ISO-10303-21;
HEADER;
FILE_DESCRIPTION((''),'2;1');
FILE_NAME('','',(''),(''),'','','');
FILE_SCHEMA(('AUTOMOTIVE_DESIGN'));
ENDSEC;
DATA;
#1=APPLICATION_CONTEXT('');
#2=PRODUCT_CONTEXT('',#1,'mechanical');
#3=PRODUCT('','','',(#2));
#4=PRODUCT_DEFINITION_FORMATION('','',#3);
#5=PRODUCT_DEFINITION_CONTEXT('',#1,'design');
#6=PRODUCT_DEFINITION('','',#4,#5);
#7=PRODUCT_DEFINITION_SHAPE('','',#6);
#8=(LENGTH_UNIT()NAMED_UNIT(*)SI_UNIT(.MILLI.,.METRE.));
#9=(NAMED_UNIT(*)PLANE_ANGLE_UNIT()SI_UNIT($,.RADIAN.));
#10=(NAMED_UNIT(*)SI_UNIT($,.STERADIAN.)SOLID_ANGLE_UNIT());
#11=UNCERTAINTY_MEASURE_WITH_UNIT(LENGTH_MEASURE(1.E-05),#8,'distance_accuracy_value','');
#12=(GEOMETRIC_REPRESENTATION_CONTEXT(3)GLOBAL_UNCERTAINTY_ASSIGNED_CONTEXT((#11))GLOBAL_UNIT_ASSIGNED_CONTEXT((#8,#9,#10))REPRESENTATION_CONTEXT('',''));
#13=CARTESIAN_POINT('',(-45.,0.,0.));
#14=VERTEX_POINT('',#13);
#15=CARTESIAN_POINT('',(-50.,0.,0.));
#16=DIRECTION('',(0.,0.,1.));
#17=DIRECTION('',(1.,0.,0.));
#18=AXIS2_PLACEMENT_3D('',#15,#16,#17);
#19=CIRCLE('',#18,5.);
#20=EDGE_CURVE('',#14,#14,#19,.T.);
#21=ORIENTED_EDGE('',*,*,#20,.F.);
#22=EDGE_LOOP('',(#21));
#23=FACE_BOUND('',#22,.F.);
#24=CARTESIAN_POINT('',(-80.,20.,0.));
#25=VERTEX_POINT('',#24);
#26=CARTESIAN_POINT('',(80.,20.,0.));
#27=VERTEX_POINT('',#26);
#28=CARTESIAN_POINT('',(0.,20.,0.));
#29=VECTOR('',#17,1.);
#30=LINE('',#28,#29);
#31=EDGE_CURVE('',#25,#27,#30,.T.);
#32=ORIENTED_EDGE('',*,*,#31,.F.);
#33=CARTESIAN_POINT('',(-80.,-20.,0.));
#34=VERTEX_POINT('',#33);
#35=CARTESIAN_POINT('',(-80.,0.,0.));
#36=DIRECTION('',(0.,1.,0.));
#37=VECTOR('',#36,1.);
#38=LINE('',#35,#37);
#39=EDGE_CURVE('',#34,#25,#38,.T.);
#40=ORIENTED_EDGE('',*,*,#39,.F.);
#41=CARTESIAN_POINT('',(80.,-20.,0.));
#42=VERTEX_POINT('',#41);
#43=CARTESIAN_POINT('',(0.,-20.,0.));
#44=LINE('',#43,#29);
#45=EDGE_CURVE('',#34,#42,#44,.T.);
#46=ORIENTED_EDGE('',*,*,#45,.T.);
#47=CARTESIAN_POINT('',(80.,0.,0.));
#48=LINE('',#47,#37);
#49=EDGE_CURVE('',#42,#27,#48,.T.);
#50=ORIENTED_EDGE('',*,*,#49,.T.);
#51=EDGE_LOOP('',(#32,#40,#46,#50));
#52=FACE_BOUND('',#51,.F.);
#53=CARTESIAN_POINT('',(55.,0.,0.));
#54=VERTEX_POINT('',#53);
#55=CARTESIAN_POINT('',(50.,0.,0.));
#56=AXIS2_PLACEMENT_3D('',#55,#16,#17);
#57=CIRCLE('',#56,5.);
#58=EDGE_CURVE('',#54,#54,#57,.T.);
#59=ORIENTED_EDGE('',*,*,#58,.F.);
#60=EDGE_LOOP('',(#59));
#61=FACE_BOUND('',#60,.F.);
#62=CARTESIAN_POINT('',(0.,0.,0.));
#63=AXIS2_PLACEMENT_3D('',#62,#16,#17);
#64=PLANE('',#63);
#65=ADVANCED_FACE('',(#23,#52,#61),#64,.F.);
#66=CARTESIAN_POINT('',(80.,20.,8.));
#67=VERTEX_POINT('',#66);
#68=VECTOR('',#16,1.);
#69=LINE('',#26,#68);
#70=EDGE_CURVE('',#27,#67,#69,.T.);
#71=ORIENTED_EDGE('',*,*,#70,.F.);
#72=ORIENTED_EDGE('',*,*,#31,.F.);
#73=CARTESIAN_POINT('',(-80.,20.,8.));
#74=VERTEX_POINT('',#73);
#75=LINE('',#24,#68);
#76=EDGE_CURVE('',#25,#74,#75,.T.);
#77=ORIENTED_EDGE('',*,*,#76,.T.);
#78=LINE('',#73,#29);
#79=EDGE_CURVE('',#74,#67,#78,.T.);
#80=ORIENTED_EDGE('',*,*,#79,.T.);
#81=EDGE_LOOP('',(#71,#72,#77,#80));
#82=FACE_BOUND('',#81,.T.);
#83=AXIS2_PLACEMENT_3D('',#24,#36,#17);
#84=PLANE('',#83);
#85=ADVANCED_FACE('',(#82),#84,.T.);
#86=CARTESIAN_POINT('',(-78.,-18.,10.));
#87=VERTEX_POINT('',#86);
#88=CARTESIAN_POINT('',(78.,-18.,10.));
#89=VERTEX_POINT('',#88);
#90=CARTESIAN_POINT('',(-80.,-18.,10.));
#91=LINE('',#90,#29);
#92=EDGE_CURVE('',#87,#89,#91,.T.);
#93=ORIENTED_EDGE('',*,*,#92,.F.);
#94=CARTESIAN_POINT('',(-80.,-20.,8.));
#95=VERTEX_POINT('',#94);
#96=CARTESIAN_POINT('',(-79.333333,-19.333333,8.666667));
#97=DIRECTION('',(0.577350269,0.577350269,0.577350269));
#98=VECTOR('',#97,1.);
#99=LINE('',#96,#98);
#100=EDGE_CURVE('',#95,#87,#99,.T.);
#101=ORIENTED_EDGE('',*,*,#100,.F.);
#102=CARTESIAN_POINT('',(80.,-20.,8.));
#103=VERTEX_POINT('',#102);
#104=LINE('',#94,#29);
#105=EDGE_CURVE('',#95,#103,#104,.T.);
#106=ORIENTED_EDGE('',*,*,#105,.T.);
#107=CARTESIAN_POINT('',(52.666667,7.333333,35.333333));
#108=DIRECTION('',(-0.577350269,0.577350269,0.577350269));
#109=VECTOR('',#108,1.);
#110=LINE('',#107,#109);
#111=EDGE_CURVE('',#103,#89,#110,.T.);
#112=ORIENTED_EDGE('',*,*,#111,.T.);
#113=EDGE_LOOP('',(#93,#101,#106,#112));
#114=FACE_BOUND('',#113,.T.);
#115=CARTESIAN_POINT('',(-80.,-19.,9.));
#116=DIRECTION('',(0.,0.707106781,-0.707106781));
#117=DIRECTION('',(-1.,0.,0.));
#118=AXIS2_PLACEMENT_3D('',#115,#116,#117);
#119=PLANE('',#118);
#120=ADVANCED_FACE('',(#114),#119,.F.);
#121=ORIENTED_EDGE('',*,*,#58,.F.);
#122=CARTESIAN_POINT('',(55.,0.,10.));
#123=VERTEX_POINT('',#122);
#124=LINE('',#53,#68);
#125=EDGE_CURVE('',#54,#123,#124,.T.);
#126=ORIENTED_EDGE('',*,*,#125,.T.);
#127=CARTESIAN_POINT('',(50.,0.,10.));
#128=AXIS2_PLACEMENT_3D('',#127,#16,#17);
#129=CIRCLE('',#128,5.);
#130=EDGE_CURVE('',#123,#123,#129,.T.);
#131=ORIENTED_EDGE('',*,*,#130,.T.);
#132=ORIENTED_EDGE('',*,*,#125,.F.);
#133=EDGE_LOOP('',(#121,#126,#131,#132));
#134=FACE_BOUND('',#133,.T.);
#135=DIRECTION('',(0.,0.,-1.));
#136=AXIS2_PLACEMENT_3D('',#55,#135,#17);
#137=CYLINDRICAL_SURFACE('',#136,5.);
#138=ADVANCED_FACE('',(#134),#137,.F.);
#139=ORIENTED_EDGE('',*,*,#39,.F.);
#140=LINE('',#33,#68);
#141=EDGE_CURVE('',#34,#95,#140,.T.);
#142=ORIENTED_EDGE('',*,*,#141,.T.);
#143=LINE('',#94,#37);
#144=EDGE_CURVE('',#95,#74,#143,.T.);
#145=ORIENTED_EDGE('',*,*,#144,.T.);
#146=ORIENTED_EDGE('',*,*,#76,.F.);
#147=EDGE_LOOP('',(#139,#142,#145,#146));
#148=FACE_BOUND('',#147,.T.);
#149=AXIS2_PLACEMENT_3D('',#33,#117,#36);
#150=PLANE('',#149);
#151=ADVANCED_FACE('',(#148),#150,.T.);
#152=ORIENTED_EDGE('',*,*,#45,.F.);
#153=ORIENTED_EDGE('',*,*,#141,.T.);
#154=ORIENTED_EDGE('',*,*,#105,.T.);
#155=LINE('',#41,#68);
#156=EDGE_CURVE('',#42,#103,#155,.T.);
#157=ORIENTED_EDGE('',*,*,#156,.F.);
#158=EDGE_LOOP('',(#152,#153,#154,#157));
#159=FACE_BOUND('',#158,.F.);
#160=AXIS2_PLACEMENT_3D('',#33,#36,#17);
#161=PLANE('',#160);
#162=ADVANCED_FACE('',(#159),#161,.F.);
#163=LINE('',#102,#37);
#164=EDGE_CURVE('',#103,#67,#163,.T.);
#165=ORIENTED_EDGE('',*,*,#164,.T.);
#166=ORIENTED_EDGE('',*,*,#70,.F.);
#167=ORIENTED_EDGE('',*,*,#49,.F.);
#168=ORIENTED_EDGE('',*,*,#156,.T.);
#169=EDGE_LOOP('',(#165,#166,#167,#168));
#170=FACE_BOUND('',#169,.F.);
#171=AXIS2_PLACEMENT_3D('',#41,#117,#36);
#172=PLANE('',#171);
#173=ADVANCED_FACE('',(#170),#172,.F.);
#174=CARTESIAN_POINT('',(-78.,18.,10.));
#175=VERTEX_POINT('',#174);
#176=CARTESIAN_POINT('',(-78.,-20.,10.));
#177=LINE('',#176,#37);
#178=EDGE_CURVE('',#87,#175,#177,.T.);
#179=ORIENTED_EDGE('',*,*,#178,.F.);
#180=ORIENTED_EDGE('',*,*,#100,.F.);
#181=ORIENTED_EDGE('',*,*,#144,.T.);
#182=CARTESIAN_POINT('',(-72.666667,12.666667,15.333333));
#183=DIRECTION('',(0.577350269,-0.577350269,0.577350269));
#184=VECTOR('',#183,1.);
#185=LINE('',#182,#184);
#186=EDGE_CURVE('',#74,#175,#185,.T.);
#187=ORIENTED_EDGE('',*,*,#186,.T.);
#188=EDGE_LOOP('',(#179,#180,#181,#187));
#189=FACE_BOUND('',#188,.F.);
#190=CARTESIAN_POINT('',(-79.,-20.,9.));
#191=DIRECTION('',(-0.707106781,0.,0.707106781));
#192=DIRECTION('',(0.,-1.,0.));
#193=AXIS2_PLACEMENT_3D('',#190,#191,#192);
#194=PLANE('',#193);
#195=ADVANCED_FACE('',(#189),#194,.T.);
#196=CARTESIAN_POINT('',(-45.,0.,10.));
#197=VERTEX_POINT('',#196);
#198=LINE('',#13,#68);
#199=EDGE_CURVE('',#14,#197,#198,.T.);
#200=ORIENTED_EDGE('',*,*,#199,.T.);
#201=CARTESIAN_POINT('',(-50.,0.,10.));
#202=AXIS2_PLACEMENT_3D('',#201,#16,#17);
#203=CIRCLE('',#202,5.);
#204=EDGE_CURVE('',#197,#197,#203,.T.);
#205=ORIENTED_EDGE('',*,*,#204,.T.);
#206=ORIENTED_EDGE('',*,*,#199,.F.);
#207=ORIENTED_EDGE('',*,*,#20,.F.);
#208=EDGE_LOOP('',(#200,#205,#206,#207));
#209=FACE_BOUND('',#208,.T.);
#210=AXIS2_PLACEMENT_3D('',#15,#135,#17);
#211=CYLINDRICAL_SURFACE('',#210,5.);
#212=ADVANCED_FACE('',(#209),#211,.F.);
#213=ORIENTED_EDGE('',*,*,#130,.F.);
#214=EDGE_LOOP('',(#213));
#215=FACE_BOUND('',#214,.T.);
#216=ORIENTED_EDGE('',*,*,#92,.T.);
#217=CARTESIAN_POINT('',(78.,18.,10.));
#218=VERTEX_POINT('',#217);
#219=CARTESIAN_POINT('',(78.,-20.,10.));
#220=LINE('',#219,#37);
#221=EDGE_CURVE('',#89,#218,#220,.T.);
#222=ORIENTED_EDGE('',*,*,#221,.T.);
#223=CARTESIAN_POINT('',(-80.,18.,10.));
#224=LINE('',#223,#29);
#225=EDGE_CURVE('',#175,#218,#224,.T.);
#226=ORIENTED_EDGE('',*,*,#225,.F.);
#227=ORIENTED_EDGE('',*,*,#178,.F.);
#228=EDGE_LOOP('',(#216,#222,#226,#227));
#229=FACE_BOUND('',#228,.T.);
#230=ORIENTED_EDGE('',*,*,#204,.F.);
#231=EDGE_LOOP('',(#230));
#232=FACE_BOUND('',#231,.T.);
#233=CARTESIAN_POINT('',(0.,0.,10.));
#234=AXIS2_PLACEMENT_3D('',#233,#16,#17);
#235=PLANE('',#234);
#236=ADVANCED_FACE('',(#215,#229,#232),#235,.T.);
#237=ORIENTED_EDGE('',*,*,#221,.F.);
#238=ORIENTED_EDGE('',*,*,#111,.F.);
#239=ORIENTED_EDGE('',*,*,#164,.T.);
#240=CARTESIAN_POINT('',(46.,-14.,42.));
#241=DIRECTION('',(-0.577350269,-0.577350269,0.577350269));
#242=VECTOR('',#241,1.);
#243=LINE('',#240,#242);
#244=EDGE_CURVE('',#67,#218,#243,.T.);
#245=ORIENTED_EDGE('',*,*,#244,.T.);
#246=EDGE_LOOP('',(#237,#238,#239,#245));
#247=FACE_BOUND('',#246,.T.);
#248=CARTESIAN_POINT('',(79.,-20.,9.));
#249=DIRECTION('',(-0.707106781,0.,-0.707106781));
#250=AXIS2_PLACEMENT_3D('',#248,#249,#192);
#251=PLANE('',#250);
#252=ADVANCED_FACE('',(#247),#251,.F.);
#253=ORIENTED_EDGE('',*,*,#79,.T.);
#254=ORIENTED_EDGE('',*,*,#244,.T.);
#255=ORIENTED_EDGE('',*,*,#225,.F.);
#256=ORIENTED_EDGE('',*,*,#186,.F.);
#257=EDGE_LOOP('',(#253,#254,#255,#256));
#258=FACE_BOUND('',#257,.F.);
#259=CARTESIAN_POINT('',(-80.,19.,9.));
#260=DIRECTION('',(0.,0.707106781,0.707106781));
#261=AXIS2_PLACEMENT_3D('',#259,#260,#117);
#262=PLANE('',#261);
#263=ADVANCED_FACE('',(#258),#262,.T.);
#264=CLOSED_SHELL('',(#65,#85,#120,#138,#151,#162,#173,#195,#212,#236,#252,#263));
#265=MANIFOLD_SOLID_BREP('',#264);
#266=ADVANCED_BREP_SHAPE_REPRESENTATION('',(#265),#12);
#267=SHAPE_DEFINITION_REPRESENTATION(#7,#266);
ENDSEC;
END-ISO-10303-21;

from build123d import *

# Parameters (mm, degrees)
SKETCH002_W     = 160
SKETCH002_H     = 40
SKETCH002_R     = 5
PAD001_DEPTH    = 10
CHAMFER001_SIZE = 2


with BuildPart() as part:
    # Sketch002 → Pad001 (new body)
    with BuildSketch(Plane.XY):
        Rectangle(SKETCH002_W, SKETCH002_H)
        with Locations((-50, 0)):
            Circle(SKETCH002_R, mode=Mode.SUBTRACT)
        with Locations((50, 0)):
            Circle(SKETCH002_R, mode=Mode.SUBTRACT)
    extrude(amount=PAD001_DEPTH)

    # Chamfer001
    chamfer001_edges = [part.edges().sort_by_distance(p)[0] for p in [
        (-80, 0, 10),
        (0, 20, 10),
        (80, 0, 10),
        (0, -20, 10),
    ]]
    chamfer(chamfer001_edges, length=CHAMFER001_SIZE)


solid = part.part
